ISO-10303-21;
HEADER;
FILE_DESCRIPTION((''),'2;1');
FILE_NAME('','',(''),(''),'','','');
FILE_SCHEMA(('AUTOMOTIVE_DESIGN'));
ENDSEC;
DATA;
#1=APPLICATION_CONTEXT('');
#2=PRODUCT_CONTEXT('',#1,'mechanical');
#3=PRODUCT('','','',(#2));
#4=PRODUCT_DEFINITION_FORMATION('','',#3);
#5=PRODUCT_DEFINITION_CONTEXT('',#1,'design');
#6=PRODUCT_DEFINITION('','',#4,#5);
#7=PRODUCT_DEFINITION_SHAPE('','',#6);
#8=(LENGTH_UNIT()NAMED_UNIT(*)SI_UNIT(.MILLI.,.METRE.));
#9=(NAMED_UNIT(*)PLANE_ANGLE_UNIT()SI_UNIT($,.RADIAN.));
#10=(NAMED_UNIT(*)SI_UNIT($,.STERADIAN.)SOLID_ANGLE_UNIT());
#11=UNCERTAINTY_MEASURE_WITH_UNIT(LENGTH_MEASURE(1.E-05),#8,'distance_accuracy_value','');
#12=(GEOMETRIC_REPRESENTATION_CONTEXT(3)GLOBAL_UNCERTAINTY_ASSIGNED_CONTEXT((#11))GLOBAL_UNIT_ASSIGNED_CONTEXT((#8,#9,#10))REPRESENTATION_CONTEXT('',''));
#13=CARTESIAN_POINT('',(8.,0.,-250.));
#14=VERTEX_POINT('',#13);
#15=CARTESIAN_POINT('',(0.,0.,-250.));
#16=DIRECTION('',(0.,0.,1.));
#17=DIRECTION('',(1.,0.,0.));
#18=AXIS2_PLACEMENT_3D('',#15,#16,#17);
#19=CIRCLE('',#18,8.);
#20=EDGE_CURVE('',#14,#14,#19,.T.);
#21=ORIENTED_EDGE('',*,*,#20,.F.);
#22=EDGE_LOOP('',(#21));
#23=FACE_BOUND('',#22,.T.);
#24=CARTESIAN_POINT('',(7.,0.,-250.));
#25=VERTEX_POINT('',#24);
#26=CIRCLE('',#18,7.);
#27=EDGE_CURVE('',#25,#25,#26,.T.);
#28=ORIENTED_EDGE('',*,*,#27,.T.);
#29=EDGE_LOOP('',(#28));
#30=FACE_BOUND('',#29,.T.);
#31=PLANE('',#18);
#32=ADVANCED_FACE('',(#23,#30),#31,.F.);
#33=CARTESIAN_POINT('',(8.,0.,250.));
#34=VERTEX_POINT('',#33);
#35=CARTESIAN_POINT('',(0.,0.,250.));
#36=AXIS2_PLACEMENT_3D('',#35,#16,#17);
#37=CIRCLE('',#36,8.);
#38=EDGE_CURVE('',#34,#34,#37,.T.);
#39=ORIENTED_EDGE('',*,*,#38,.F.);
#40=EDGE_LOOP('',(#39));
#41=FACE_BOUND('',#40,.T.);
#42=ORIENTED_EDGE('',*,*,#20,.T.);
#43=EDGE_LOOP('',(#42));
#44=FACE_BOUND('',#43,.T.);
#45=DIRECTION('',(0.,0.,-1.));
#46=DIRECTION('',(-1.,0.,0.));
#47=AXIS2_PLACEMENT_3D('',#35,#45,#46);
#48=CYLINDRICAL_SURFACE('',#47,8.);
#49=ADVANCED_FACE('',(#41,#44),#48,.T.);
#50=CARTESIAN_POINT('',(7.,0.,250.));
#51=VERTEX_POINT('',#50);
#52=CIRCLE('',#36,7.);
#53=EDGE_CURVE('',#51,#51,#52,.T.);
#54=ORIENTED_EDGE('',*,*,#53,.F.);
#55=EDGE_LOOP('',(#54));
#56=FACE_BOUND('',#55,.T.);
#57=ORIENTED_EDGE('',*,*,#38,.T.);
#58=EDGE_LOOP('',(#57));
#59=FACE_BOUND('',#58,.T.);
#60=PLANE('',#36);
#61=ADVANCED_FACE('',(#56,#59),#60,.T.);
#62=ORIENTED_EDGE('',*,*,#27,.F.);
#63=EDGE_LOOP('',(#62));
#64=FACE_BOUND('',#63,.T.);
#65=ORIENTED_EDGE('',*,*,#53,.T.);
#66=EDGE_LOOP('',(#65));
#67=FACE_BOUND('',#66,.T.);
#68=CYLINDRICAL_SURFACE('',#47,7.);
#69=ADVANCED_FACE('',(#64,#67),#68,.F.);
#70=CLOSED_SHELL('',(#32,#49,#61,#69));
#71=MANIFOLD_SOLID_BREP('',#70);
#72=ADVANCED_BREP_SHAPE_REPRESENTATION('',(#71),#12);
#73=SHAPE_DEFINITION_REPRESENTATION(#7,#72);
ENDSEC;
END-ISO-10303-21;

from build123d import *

# Parameters (mm, degrees)
SKETCH_1_R      = 8
SKETCH_1_R_2    = 7
EXTRUDE_1_DEPTH = 250


with BuildPart() as part:
    # Эскиз1 → Бобышка-Вытянуть1 (new body, symmetric)
    with BuildSketch(Plane.XY):
        Circle(SKETCH_1_R)
        Circle(SKETCH_1_R_2, mode=Mode.SUBTRACT)
    extrude(amount=EXTRUDE_1_DEPTH, both=True)


solid = part.part
